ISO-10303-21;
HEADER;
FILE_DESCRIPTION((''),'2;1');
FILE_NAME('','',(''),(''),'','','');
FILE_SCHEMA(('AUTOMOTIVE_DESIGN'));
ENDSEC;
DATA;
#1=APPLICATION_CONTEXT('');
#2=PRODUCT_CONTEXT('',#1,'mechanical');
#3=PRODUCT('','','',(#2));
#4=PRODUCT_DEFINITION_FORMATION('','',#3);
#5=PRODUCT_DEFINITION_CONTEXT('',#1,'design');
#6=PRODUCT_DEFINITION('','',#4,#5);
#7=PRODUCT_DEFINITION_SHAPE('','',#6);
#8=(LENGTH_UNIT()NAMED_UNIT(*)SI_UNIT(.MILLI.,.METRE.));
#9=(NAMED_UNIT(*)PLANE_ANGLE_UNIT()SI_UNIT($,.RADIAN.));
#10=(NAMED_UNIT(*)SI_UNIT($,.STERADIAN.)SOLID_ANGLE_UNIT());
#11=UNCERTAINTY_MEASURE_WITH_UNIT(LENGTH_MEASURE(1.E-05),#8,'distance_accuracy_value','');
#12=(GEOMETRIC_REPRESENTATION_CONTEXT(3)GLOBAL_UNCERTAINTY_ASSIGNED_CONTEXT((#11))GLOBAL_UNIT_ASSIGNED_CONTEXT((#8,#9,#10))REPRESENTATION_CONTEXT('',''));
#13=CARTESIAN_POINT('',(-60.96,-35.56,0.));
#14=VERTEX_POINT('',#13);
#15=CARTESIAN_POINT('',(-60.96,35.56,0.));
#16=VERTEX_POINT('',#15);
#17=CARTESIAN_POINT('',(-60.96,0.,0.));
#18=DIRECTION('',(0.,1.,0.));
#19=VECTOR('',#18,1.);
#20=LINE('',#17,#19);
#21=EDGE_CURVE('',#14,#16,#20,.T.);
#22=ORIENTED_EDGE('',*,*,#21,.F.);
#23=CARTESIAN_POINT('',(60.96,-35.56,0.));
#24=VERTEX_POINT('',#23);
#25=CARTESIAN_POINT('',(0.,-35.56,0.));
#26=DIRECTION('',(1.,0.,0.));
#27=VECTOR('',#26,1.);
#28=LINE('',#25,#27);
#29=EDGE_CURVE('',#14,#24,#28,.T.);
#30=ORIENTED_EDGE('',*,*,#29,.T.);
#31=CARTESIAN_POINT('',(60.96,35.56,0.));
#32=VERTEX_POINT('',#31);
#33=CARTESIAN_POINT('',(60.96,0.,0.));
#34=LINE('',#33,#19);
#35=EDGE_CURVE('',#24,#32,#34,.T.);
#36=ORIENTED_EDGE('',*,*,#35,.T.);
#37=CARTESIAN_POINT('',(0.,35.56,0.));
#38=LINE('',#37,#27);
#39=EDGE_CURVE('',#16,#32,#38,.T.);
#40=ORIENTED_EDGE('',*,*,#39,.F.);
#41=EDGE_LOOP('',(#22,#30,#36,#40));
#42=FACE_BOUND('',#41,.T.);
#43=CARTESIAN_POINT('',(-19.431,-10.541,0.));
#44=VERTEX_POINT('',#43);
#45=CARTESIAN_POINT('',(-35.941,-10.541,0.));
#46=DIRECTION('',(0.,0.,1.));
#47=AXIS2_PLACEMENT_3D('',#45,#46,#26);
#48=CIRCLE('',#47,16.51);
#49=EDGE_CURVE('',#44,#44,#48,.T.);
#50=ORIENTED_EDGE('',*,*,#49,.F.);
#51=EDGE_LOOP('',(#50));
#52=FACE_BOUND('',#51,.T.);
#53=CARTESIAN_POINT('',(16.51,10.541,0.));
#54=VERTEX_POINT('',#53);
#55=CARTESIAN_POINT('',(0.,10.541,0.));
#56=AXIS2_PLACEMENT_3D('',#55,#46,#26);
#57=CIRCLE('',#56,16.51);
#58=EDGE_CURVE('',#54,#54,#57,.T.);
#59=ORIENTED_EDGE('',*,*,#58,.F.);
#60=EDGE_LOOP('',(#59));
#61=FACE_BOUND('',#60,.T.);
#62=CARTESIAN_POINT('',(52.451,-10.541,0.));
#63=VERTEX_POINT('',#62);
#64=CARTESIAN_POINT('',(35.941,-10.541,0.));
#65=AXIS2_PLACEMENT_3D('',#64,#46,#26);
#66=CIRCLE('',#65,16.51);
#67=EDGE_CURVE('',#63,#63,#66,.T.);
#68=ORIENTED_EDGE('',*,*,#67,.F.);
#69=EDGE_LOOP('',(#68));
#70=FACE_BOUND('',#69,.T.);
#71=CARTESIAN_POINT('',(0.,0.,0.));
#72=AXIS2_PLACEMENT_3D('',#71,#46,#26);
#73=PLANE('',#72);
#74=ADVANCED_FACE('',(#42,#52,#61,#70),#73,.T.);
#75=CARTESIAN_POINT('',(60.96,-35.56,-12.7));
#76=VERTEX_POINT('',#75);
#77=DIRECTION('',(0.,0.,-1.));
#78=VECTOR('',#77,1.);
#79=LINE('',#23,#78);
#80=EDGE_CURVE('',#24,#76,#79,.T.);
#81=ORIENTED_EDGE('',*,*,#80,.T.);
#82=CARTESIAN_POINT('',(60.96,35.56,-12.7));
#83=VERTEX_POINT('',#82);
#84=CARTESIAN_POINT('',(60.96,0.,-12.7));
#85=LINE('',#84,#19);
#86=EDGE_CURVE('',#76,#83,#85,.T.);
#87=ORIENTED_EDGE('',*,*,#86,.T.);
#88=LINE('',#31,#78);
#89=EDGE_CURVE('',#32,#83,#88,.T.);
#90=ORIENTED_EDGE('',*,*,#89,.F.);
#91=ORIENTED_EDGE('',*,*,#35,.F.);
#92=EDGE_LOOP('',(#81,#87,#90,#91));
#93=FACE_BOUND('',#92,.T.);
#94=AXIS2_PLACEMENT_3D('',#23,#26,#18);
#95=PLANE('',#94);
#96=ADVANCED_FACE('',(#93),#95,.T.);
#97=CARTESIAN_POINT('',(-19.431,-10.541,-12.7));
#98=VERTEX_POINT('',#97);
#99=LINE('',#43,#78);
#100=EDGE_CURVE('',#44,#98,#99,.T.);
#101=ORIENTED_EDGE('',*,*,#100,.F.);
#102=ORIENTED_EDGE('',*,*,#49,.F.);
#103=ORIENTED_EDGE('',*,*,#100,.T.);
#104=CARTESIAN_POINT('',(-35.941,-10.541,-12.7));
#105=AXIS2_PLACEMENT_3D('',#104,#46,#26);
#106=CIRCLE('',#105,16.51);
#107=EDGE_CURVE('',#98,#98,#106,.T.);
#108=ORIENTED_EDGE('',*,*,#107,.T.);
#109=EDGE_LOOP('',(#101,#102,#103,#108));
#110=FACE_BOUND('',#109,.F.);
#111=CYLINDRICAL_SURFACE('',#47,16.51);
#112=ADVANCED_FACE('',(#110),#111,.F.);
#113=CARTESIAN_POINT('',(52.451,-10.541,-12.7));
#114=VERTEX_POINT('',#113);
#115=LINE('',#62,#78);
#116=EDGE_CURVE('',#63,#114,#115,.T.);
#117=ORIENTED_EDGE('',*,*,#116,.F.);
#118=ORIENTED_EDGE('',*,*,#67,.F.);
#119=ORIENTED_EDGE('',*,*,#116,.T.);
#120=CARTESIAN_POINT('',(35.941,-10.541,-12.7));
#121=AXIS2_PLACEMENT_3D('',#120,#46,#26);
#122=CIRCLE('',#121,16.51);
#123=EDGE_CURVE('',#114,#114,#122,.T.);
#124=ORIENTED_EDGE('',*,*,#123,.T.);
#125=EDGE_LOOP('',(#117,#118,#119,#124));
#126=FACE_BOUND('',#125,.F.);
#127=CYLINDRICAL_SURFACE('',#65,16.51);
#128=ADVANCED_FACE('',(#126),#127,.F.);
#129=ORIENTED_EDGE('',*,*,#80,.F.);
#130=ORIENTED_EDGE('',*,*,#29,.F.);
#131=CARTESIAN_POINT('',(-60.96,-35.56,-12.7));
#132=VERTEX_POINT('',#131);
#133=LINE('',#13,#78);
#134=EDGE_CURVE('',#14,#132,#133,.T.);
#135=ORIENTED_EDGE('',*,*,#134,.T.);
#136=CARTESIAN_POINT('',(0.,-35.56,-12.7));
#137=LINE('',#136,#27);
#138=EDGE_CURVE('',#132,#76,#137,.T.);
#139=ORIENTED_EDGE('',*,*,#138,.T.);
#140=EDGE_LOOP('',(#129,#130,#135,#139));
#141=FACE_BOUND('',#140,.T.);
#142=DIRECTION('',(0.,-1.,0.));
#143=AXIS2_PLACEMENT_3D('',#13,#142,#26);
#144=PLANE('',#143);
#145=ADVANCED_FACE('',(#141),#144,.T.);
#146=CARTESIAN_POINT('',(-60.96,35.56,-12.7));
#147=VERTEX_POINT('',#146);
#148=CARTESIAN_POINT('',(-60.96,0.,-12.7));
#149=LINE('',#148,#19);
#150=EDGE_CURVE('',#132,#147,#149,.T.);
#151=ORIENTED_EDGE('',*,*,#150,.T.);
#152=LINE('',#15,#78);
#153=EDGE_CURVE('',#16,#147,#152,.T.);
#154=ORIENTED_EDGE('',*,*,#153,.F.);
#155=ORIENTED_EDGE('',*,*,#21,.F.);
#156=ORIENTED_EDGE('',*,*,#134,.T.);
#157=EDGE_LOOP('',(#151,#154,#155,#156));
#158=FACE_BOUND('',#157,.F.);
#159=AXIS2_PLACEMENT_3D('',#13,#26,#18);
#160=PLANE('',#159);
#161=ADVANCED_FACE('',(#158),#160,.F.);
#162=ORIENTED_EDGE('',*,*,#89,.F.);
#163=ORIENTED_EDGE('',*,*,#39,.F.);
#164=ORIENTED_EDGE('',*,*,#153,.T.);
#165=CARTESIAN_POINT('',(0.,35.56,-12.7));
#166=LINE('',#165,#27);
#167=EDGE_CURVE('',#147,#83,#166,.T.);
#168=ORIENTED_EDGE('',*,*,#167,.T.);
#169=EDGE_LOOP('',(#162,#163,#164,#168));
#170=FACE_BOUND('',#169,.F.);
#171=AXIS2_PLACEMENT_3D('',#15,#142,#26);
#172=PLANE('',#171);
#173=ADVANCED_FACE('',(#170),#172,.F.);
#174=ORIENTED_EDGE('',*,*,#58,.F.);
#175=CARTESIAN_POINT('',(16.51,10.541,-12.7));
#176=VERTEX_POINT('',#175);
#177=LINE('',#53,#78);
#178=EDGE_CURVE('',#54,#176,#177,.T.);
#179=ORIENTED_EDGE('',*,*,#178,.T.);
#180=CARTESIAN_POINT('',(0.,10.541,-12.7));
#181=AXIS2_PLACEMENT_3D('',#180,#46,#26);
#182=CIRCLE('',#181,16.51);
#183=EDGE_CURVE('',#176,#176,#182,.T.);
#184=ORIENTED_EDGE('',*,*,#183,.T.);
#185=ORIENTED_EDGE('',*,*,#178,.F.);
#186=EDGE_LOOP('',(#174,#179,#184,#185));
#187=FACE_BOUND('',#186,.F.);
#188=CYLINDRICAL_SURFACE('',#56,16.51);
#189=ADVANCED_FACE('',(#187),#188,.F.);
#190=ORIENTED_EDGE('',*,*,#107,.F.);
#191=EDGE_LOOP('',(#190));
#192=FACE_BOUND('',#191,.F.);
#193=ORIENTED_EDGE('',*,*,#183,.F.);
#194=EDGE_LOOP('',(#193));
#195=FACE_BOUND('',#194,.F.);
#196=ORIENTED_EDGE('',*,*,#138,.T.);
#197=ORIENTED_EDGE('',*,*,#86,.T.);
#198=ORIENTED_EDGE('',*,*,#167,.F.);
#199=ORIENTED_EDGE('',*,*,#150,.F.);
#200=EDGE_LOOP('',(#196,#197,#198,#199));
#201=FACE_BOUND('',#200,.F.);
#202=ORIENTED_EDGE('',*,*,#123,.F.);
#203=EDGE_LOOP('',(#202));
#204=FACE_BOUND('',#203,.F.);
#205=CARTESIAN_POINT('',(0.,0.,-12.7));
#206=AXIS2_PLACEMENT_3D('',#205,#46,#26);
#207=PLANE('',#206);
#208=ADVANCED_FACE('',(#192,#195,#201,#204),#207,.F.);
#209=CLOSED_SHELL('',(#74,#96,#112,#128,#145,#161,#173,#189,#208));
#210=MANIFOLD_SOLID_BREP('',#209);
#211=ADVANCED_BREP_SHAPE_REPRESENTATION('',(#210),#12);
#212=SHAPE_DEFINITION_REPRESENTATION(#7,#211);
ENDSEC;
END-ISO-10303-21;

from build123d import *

# Parameters (mm, degrees)
F0_W     = 121.92
F0_H     = 71.12
F0_R     = 16.51
F1_DEPTH = 12.7


with BuildPart() as f1:
    # F0 (on Top) → F1 (new body)
    with BuildSketch(Plane.XY):
        Rectangle(F0_W, F0_H)
        with Locations((-35.941, -10.541)):
            Circle(F0_R, mode=Mode.SUBTRACT)
        with Locations((35.941, -10.541)):
            Circle(F0_R, mode=Mode.SUBTRACT)
        with Locations((0, 10.541)):
            Circle(F0_R, mode=Mode.SUBTRACT)
    extrude(amount=-F1_DEPTH)


solid = f1.part
